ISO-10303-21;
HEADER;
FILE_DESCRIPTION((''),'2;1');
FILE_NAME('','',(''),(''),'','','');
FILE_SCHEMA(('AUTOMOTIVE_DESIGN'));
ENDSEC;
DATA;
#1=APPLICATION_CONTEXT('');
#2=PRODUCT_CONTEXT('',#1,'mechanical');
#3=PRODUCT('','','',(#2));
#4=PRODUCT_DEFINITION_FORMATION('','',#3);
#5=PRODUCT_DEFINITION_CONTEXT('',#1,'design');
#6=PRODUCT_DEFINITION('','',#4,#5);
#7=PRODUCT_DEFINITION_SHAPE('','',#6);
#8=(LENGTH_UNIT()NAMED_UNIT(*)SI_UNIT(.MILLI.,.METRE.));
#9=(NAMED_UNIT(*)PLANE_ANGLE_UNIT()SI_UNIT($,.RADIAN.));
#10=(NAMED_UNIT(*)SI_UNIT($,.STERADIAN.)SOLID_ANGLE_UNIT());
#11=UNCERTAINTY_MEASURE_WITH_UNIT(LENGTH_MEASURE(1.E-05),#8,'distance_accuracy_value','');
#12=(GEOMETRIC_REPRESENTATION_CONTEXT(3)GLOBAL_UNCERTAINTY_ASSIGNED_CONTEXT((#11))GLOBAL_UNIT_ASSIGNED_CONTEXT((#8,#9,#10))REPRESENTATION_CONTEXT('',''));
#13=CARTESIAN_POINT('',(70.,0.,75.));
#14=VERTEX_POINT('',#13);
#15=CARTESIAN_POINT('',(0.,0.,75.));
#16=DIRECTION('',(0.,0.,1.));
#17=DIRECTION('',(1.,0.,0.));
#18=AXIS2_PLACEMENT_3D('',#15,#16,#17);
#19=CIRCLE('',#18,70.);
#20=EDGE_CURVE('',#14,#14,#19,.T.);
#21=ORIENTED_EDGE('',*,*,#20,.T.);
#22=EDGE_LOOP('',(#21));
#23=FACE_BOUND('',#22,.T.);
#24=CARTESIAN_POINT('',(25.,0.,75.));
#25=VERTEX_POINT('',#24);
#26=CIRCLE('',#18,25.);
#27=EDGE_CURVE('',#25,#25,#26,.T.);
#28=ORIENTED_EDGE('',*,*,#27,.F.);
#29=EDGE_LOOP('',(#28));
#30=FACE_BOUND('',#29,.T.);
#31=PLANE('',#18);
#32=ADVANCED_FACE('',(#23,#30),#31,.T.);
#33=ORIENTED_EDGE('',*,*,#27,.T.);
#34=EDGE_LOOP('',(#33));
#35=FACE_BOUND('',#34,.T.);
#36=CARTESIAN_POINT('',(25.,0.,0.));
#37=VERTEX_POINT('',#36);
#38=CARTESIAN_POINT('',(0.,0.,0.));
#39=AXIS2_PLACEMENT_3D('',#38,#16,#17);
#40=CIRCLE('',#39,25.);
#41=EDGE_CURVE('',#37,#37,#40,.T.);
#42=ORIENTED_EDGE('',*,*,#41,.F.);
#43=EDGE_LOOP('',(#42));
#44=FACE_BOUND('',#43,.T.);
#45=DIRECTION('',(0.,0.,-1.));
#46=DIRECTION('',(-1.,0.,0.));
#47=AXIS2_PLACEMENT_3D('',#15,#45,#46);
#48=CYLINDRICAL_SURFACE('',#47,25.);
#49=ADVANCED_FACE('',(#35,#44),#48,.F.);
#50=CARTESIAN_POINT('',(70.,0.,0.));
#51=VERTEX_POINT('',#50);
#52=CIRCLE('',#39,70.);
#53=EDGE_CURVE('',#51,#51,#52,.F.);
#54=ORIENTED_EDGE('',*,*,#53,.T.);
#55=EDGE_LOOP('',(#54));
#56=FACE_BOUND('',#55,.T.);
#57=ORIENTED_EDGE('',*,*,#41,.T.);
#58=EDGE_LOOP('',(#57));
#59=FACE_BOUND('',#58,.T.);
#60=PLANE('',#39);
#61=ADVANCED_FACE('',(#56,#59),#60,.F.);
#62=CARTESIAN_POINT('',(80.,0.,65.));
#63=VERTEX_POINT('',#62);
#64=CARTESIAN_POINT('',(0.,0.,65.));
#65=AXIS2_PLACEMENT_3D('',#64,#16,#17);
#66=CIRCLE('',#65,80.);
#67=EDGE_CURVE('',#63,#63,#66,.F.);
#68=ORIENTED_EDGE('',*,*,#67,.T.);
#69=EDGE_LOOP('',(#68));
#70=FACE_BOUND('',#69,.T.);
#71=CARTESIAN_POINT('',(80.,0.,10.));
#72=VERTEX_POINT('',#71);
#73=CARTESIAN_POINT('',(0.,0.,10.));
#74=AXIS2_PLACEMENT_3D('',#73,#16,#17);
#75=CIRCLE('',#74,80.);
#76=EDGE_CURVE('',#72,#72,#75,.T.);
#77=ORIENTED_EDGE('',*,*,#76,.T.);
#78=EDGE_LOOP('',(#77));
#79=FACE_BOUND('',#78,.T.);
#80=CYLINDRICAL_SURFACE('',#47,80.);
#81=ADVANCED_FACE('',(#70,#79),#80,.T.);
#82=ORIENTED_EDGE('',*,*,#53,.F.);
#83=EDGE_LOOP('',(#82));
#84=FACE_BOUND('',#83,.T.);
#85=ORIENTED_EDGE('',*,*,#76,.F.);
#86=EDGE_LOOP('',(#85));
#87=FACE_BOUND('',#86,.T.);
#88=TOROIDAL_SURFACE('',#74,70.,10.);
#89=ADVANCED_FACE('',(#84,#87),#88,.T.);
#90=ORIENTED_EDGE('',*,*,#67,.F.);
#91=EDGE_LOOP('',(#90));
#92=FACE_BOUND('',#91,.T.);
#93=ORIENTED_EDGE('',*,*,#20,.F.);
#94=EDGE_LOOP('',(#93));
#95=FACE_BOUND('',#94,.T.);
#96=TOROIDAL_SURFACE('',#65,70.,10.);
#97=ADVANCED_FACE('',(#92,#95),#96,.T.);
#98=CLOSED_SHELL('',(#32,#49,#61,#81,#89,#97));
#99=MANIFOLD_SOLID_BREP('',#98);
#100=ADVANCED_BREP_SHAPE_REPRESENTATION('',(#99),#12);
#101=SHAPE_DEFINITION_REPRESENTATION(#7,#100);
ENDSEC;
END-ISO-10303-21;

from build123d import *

# Parameters (mm, degrees)
ESQUISSE1_R        = 80
ESQUISSE1_R_2      = 25
BOSS_EXTRU_1_DEPTH = 75
CONG_1_R           = 10


with BuildPart() as part:
    # Esquisse1 → Boss.-Extru.1 (new body)
    with BuildSketch(Plane.XY):
        Circle(ESQUISSE1_R)
        Circle(ESQUISSE1_R_2, mode=Mode.SUBTRACT)
    extrude(amount=BOSS_EXTRU_1_DEPTH)

    # Congé1
    cong_1_edges = [part.edges().sort_by_distance(p)[0] for p in [
        (-80, 0, 75),
        (-80, 0, 0),
    ]]
    fillet(cong_1_edges, radius=CONG_1_R)


solid = part.part
